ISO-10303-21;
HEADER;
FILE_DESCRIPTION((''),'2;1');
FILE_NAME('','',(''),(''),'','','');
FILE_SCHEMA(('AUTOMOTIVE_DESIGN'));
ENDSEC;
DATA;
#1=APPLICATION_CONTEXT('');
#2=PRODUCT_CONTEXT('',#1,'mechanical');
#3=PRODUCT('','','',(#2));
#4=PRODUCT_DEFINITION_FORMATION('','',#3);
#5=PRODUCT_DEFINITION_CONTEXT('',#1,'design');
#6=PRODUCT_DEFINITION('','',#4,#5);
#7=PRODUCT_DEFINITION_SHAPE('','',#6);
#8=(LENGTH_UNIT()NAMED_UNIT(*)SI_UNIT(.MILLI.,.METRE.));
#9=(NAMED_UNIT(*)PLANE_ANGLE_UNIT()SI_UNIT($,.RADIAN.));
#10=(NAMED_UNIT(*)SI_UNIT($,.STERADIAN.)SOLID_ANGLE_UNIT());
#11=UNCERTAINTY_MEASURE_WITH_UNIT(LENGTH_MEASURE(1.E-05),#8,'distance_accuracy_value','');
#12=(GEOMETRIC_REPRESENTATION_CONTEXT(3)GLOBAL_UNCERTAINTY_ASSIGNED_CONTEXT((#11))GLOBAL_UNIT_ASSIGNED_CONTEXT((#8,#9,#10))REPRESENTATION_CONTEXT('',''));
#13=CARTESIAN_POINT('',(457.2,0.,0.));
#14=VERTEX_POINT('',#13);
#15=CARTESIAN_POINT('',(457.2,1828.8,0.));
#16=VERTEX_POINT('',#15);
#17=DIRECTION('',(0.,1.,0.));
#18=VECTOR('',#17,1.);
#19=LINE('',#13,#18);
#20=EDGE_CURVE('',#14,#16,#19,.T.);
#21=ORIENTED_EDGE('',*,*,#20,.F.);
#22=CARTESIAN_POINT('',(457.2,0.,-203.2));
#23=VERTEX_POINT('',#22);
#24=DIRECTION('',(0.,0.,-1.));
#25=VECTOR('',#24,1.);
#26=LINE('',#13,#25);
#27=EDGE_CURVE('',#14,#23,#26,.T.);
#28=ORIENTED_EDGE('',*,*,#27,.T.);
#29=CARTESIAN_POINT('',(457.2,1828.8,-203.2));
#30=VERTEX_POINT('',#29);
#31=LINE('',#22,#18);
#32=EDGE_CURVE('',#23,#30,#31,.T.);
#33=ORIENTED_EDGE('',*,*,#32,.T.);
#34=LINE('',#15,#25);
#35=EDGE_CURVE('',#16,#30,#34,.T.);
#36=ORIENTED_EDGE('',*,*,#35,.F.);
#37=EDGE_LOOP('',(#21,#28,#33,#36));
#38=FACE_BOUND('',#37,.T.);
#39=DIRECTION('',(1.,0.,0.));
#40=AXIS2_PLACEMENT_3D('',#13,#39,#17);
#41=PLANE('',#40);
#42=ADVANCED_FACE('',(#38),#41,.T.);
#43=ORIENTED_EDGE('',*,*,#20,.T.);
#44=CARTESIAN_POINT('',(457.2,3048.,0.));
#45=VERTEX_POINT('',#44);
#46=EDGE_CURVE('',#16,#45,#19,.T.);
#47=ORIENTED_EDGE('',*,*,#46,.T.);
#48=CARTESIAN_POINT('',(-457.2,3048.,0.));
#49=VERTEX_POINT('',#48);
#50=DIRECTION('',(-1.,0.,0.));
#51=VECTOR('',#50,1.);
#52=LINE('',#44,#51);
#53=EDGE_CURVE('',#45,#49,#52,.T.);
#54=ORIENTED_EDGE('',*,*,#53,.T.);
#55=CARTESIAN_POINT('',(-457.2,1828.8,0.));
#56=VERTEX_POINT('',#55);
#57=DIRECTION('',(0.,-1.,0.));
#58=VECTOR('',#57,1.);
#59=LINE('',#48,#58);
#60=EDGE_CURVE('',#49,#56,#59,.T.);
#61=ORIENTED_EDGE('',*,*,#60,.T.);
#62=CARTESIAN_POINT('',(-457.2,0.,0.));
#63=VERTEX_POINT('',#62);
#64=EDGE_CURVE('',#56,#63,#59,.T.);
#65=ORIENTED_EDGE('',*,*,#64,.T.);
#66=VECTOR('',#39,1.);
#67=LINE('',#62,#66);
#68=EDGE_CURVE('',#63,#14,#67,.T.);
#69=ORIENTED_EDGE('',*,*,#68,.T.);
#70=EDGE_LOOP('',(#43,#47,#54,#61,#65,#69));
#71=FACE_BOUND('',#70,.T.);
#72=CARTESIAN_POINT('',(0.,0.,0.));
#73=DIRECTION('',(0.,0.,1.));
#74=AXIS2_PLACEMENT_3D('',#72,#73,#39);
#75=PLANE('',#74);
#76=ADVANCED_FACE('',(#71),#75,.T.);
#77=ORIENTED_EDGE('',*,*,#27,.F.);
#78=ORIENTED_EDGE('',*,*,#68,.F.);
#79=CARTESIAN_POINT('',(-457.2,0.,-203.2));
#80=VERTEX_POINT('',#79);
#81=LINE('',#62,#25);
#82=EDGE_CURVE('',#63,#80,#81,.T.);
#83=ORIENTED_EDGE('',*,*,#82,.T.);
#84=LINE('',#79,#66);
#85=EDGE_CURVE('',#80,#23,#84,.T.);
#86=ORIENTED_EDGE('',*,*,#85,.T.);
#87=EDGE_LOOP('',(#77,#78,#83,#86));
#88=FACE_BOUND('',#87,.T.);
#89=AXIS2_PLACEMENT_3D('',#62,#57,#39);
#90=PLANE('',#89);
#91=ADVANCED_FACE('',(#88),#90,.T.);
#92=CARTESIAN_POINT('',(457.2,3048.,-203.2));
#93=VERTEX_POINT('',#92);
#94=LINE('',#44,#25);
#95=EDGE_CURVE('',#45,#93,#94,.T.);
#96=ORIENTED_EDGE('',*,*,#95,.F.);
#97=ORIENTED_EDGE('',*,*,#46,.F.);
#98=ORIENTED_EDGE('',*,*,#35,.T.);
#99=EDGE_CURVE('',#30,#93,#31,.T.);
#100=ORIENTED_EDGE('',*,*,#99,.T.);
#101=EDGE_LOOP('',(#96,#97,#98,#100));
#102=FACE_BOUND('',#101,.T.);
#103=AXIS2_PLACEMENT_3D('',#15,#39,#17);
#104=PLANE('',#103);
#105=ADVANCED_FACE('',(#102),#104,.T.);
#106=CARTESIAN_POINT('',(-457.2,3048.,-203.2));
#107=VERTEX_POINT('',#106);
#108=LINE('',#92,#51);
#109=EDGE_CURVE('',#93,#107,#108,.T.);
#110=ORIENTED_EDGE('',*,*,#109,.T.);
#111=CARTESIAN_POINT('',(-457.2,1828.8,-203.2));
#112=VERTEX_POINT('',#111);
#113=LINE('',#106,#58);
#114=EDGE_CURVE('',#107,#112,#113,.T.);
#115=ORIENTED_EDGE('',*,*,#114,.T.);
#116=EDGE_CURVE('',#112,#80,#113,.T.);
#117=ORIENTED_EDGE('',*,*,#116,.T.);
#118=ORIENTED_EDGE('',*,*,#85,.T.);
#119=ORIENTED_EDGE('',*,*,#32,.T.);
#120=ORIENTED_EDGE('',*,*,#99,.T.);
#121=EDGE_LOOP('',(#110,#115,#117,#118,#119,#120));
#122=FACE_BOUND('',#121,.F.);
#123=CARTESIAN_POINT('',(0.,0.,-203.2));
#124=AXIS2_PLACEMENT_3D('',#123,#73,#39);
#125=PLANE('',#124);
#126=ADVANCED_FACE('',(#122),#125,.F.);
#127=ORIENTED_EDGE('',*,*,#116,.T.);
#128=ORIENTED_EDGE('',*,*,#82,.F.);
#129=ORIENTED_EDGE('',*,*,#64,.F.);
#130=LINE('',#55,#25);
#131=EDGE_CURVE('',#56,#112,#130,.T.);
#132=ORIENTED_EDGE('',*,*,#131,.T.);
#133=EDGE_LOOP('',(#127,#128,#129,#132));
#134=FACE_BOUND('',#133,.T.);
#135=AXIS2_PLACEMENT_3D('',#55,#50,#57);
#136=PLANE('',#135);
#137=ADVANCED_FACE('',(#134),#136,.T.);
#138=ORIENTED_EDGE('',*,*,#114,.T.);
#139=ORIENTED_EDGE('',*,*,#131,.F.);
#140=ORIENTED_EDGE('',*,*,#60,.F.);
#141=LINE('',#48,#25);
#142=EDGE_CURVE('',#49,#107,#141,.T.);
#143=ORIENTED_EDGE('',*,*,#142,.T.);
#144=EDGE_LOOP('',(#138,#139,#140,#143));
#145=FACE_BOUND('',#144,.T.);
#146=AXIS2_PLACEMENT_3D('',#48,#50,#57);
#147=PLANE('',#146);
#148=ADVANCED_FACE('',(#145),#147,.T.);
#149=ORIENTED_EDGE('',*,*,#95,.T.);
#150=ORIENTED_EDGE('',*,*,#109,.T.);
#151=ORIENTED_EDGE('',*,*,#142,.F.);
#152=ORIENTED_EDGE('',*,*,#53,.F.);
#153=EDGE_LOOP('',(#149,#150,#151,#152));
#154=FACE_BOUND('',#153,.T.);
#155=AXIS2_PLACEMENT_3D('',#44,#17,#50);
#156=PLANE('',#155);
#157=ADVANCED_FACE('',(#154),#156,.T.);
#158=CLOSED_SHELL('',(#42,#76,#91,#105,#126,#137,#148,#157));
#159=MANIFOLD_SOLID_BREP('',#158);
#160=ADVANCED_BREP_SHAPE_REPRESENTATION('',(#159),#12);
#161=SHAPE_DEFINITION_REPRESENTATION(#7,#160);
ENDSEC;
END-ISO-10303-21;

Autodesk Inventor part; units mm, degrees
ref_plane "PLANE IN" through (0, 0, 0) normal (0, 1, 0) x (-1, 0, 0)
ref_plane "PLANE OUT" through (0, 3048, 0) normal (0, 1, 0) x (-1, 0, 0)
ref_plane "PLANE CTR" through (0, 0, 0) normal (1, 0, 0) x (0, 1, 0)
ref_plane "PLANE RH" through (457.2, 0, 0) normal (1, 0, 0) x (0, 1, 0)
ref_plane "PLANE LH" through (-457.2, 0, 0) normal (1, 0, 0) x (0, 1, 0)
ref_plane "PLANE TOP" through (0, 0, 0) normal (0, 0, 1) x (1, 0, 0)
ref_plane "PLANE BOT" through (0, 0, -203.2) normal (0, 0, 1) x (1, 0, 0)
ref_plane "PLANE HANDLE RH" through (558.8, 0, 0) normal (1, 0, 0) x (0, 1, 0)
ref_plane "PLANE HANDLE LH" through (-558.8, 0, 0) normal (1, 0, 0) x (0, 1, 0)
ref_plane "PLANE HANDLE IN" through (0, 63.5, 0) normal (0, 1, 0) x (-1, 0, 0)
ref_plane "PLANE HANDLE OUT" through (0, 2984.5, 0) normal (0, 1, 0) x (-1, 0, 0)
ref_plane "PLANE HANDLE TOP" through (0, 0, -63.5) normal (0, 0, 1) x (1, 0, 0)
sketch "SKETCH BODY" plane through (0, 0, 0) normal (0, 0, 1) x (1, 0, 0)
  line L0 (-457.2, 0) -> (457.2, 0)
  line L1 (457.2, 0) -> (457.2, 3048)
  line L2 (457.2, 3048) -> (-457.2, 3048)
  line L3 (-457.2, 3048) -> (-457.2, 0)
  line L4 (-640.08, 0) -> (640.08, 0) projected
  line L5 (-640.08, 3048) -> (640.08, 3048) projected
  line L6 (457.2, 1828.8) -> (457.2, -304.8) projected
  line L7 (-457.2, 1828.8) -> (-457.2, -304.8) projected
extrude "EXT BODY" add sketch "SKETCH BODY" against normal blind 203.2
sketch "SKETCH HANDLE DIA" plane through (457.2, 0, 0) normal (1, 0, 0) x (0, 1, 0)
  line L0 (45.72, -63.5) -> (81.28, -63.5) projected
  line L1 (63.5, -45.72) -> (63.5, -81.28) projected
  circle A0 centre (63.5, -63.5) radius 12.7
  dimension "d79" = 25.4
sketch "SKETCH HANDLE PATH" plane through (0, 0, -63.5) normal (0, 0, 1) x (1, 0, 0)
  line L0 (558.8, 1739.9) -> (558.8, -215.9) projected
  line L1 (457.2, 1739.9) -> (457.2, -215.9) projected
  line L2 (436.88, 63.5) -> (579.12, 63.5) projected
  line L3 (436.88, 2984.5) -> (579.12, 2984.5) projected
  line L4 (457.2, 63.5) -> (558.8, 63.5)
  line L5 (558.8, 63.5) -> (558.8, 2984.5)
  line L6 (558.8, 2984.5) -> (457.2, 2984.5)
  line L7 (457.2, 2984.5) -> (457.2, 63.5) construction
feature "SWP HANDLE" [suppressed]
mirror "MIR HANDLE" [suppressed]
equation "\"d76\" = HEIGHT"
equation "\"PLANE_OUT\" = LENGTH"
equation "\"PLANE_RH\" = 0.5 * WIDTH"
equation "\"PLANE_LH\" = -0.5 * WIDTH"
equation "\"PLANE_BOT\" = -HEIGHT"
equation "\"PLANE_HANDLE_RH\" = HANDLE_OFFSET_CTR"
equation "\"PLANE_HANDLE_LH\" = -HANDLE_OFFSET_CTR"
equation "\"PLANE_HANDLE_IN\" = HANDLE_OFFSET_END"
equation "\"PLANE_HANDLE_OUT\" = LENGTH - HANDLE_OFFSET_END"
equation "\"PLANE_HANDLE_TOP\" = -HANDLE_OFFSET_TOP"
equation "\"LENGTH\" = 3048"
equation "\"WIDTH\" = 914.4"
equation "\"HEIGHT\" = 203.2"
equation "\"HANDLE_GAP\" = 101.6"
equation "\"HANDLE_OFFSET_CTR\" = 0.5 * WIDTH + HANDLE_GAP"
equation "\"HANDLE_OFFSET_END\" = 63.5"
equation "\"HANDLE_OFFSET_TOP\" = 63.5"
properties part number "Blog Part"
